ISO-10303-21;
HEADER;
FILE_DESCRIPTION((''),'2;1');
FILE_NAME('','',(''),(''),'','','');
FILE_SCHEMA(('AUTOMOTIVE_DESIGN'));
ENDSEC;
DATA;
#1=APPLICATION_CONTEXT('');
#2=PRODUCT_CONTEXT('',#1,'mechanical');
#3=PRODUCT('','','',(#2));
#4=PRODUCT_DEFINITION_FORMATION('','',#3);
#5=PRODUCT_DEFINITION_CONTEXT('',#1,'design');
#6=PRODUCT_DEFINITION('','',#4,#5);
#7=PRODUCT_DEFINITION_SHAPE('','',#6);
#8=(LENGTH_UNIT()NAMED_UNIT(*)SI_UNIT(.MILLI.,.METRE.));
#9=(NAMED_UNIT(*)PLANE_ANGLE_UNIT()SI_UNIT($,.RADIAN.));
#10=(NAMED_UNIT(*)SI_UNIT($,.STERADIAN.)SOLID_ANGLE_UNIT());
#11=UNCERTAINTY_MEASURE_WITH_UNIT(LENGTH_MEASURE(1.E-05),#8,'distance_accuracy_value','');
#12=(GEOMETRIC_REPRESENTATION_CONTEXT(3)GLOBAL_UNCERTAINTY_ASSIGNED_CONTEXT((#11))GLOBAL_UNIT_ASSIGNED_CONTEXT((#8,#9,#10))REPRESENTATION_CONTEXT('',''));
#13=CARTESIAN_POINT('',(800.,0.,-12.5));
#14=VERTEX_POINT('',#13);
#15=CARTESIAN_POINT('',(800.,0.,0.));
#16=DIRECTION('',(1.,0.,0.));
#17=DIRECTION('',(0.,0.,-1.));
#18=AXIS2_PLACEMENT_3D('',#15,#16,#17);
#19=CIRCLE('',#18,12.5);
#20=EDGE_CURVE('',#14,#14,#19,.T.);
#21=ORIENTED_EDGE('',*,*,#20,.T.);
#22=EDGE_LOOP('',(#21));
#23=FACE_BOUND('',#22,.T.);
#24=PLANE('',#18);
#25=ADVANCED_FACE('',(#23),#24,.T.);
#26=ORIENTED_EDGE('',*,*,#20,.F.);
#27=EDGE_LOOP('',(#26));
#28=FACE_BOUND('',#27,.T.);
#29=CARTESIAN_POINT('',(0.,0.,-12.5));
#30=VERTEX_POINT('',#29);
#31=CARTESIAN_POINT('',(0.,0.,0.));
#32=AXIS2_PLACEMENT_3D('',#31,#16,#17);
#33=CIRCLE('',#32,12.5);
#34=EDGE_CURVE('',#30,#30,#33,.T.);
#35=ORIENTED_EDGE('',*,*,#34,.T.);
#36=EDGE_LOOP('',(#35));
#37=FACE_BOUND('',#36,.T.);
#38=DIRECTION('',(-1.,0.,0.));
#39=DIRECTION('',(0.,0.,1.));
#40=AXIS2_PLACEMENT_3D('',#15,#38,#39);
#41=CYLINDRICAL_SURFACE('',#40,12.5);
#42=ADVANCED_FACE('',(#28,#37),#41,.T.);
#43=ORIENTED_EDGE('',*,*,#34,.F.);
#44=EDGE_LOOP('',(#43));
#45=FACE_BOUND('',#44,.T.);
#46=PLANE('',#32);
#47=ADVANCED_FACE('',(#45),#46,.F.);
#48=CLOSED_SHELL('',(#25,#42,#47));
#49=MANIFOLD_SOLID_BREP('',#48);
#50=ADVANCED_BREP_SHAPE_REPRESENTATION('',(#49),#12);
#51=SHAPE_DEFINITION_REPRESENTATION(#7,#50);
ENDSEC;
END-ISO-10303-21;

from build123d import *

# Parameters (mm, degrees)
MUSCLEDIAMETER_R   = 12.5
MUSCLELENGTH_DEPTH = 800


with BuildPart() as part:
    # MuscleDiameter → MuscleLength (new body)
    with BuildSketch(Plane(origin=(0, 0, 0), x_dir=(0, 0, -1), z_dir=(1, 0, 0))):
        Circle(MUSCLEDIAMETER_R)
    extrude(amount=MUSCLELENGTH_DEPTH)


solid = part.part
